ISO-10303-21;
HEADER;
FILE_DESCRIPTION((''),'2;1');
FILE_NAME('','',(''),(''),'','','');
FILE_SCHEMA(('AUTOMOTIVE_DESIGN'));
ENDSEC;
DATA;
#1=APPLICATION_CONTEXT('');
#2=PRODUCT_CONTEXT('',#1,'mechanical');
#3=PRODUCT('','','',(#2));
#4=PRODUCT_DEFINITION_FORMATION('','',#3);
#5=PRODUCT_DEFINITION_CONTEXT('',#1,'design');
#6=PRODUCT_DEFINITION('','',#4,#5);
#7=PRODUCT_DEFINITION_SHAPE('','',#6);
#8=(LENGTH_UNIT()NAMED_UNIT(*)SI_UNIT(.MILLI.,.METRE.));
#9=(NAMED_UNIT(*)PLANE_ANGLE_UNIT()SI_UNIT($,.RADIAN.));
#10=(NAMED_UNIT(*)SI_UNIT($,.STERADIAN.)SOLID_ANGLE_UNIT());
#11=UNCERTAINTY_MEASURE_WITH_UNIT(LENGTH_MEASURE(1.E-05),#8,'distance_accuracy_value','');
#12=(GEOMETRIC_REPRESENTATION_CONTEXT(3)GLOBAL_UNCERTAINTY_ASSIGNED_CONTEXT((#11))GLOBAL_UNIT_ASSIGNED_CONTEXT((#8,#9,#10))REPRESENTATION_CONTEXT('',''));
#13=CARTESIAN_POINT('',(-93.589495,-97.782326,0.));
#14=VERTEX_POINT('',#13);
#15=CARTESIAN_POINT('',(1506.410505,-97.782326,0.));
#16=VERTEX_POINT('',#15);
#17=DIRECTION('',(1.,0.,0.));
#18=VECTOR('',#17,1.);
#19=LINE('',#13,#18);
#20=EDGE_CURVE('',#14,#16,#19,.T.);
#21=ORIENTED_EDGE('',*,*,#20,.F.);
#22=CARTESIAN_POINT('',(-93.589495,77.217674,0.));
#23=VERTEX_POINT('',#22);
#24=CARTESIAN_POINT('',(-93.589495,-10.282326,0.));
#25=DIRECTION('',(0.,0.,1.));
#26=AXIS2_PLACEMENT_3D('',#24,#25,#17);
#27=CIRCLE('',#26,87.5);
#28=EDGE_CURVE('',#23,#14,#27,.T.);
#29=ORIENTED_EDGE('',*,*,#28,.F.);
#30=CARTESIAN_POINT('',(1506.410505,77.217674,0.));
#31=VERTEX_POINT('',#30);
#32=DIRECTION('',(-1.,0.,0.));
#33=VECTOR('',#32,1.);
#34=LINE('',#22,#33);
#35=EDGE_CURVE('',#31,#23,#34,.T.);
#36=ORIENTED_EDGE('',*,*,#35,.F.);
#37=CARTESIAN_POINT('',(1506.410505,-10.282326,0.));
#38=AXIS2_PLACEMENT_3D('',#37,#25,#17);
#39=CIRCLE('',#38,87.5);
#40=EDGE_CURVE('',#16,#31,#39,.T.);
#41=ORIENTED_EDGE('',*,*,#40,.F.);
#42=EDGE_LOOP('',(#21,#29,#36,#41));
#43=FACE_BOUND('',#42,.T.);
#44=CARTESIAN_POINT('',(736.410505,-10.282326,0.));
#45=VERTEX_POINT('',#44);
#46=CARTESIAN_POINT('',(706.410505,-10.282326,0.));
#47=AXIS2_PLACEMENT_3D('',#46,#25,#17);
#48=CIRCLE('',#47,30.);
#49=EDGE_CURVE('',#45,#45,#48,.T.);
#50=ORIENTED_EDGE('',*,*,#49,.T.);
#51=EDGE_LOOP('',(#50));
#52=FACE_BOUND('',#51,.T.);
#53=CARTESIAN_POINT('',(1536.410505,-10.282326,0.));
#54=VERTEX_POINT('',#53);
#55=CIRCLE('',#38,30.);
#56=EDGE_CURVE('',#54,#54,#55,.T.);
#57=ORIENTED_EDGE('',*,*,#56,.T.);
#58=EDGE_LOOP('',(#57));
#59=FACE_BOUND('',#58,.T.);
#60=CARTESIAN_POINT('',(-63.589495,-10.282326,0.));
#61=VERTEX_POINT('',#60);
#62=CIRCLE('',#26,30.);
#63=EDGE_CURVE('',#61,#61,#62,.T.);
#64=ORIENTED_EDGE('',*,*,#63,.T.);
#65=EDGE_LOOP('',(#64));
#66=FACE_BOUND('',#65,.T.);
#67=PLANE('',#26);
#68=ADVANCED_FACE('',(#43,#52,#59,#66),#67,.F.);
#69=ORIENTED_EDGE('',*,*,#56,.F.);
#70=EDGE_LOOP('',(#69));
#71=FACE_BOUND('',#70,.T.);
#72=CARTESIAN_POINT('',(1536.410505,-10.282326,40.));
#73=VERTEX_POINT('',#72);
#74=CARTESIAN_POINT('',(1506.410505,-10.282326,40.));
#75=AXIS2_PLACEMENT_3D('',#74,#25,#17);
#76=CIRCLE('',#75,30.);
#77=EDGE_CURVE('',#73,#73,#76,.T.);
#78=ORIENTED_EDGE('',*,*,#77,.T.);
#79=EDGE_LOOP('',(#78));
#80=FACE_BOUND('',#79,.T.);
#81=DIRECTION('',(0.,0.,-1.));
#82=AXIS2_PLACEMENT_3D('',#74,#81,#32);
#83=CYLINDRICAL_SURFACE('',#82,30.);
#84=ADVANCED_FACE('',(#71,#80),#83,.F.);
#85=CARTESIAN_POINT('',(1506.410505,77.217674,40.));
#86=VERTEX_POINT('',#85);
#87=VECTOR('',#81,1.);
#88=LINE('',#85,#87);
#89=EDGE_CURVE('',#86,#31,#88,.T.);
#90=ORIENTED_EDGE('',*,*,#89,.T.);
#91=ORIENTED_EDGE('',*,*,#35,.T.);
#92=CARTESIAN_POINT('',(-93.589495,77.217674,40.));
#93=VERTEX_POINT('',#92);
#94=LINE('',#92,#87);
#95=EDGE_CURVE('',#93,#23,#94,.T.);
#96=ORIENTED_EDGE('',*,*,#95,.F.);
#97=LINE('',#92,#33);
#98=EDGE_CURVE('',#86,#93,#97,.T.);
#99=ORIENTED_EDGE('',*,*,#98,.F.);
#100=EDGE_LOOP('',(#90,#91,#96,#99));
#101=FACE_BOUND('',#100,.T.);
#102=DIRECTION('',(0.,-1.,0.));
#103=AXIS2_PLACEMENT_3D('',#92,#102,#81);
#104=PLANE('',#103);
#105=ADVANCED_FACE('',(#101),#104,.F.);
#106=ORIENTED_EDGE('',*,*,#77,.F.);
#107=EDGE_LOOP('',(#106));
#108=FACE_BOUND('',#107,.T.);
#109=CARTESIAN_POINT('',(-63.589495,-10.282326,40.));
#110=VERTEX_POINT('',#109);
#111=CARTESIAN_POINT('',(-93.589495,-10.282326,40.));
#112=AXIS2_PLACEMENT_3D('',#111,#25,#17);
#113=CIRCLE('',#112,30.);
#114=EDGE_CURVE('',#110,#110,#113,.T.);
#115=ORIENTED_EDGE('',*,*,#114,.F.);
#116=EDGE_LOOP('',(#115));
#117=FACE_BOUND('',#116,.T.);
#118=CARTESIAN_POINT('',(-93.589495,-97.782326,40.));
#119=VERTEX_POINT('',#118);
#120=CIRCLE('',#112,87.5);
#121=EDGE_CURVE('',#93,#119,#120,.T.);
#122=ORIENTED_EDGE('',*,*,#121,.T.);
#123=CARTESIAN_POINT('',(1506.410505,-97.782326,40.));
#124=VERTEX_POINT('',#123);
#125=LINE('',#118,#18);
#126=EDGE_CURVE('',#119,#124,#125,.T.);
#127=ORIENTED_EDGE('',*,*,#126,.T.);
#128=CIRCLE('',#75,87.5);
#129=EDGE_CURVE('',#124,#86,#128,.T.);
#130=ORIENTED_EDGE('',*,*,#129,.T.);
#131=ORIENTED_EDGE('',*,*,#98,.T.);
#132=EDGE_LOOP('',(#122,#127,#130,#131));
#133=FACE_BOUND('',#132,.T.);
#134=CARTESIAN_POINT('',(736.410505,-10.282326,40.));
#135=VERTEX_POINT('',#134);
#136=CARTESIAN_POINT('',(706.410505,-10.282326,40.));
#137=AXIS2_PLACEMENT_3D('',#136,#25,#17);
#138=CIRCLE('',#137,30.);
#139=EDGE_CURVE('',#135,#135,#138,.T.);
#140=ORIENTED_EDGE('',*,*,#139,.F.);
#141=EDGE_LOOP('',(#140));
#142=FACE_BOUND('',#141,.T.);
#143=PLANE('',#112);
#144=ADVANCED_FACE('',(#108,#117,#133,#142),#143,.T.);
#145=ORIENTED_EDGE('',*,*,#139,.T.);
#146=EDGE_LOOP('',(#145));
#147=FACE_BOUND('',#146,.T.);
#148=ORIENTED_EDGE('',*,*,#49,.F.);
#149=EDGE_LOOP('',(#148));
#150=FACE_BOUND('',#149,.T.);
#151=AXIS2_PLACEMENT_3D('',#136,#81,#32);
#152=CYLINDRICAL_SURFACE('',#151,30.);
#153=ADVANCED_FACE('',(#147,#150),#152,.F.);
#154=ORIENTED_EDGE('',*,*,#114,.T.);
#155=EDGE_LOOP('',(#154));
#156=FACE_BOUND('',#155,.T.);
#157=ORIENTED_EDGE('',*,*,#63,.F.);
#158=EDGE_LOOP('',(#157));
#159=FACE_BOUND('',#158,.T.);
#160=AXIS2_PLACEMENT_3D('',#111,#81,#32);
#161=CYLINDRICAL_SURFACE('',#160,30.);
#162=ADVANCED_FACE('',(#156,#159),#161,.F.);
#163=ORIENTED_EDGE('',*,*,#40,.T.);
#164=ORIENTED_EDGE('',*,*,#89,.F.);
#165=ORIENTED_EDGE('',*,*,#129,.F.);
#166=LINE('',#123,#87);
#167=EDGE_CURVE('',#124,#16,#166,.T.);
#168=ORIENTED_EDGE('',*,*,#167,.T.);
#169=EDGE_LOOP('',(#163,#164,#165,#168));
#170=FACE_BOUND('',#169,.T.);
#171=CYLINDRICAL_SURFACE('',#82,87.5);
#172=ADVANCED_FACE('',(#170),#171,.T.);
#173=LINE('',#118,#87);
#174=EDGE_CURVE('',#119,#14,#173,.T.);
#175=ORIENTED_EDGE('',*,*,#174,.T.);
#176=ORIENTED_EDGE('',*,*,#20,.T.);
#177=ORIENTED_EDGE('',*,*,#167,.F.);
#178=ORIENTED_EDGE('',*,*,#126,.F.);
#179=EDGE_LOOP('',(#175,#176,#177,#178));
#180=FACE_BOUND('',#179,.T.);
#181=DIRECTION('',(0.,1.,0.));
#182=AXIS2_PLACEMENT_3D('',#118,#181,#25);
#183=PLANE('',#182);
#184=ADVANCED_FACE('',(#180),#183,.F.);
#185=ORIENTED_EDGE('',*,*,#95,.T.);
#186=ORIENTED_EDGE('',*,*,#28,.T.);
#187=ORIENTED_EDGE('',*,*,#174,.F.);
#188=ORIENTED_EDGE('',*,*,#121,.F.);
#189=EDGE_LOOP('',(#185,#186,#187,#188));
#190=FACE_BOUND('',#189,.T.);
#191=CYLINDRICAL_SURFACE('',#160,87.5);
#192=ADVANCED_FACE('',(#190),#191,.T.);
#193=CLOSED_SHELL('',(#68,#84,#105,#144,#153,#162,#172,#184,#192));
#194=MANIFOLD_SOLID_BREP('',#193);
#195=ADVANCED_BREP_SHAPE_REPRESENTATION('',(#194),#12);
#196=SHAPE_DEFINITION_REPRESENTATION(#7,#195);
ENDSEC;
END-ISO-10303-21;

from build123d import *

# Parameters (mm, degrees)
SKETCH2_R           = 30
BOSS_EXTRUDE1_DEPTH = 40


with BuildPart() as part:
    # Sketch2 → Boss-Extrude1 (new body)
    with BuildSketch(Plane.XY):
        with BuildLine():
            Line((-93.589494877, 77.217674204), (1506.410505123, 77.217674204))
            ThreePointArc((1506.410505123, 77.217674204), (1593.910505123, -10.282325796), (1506.410505123, -97.782325796))
            Line((1506.410505123, -97.782325796), (-93.589494877, -97.782325796))
            ThreePointArc((-93.589494877, -97.782325796), (-181.089494877, -10.282325796), (-93.589494877, 77.217674204))
        make_face()
        with Locations((-93.589494877, -10.282325796)):
            Circle(SKETCH2_R, mode=Mode.SUBTRACT)
        with Locations((1506.410505123, -10.282325796)):
            Circle(SKETCH2_R, mode=Mode.SUBTRACT)
        with Locations((706.410505123, -10.282325796)):
            Circle(SKETCH2_R, mode=Mode.SUBTRACT)
    extrude(amount=BOSS_EXTRUDE1_DEPTH)


solid = part.part
